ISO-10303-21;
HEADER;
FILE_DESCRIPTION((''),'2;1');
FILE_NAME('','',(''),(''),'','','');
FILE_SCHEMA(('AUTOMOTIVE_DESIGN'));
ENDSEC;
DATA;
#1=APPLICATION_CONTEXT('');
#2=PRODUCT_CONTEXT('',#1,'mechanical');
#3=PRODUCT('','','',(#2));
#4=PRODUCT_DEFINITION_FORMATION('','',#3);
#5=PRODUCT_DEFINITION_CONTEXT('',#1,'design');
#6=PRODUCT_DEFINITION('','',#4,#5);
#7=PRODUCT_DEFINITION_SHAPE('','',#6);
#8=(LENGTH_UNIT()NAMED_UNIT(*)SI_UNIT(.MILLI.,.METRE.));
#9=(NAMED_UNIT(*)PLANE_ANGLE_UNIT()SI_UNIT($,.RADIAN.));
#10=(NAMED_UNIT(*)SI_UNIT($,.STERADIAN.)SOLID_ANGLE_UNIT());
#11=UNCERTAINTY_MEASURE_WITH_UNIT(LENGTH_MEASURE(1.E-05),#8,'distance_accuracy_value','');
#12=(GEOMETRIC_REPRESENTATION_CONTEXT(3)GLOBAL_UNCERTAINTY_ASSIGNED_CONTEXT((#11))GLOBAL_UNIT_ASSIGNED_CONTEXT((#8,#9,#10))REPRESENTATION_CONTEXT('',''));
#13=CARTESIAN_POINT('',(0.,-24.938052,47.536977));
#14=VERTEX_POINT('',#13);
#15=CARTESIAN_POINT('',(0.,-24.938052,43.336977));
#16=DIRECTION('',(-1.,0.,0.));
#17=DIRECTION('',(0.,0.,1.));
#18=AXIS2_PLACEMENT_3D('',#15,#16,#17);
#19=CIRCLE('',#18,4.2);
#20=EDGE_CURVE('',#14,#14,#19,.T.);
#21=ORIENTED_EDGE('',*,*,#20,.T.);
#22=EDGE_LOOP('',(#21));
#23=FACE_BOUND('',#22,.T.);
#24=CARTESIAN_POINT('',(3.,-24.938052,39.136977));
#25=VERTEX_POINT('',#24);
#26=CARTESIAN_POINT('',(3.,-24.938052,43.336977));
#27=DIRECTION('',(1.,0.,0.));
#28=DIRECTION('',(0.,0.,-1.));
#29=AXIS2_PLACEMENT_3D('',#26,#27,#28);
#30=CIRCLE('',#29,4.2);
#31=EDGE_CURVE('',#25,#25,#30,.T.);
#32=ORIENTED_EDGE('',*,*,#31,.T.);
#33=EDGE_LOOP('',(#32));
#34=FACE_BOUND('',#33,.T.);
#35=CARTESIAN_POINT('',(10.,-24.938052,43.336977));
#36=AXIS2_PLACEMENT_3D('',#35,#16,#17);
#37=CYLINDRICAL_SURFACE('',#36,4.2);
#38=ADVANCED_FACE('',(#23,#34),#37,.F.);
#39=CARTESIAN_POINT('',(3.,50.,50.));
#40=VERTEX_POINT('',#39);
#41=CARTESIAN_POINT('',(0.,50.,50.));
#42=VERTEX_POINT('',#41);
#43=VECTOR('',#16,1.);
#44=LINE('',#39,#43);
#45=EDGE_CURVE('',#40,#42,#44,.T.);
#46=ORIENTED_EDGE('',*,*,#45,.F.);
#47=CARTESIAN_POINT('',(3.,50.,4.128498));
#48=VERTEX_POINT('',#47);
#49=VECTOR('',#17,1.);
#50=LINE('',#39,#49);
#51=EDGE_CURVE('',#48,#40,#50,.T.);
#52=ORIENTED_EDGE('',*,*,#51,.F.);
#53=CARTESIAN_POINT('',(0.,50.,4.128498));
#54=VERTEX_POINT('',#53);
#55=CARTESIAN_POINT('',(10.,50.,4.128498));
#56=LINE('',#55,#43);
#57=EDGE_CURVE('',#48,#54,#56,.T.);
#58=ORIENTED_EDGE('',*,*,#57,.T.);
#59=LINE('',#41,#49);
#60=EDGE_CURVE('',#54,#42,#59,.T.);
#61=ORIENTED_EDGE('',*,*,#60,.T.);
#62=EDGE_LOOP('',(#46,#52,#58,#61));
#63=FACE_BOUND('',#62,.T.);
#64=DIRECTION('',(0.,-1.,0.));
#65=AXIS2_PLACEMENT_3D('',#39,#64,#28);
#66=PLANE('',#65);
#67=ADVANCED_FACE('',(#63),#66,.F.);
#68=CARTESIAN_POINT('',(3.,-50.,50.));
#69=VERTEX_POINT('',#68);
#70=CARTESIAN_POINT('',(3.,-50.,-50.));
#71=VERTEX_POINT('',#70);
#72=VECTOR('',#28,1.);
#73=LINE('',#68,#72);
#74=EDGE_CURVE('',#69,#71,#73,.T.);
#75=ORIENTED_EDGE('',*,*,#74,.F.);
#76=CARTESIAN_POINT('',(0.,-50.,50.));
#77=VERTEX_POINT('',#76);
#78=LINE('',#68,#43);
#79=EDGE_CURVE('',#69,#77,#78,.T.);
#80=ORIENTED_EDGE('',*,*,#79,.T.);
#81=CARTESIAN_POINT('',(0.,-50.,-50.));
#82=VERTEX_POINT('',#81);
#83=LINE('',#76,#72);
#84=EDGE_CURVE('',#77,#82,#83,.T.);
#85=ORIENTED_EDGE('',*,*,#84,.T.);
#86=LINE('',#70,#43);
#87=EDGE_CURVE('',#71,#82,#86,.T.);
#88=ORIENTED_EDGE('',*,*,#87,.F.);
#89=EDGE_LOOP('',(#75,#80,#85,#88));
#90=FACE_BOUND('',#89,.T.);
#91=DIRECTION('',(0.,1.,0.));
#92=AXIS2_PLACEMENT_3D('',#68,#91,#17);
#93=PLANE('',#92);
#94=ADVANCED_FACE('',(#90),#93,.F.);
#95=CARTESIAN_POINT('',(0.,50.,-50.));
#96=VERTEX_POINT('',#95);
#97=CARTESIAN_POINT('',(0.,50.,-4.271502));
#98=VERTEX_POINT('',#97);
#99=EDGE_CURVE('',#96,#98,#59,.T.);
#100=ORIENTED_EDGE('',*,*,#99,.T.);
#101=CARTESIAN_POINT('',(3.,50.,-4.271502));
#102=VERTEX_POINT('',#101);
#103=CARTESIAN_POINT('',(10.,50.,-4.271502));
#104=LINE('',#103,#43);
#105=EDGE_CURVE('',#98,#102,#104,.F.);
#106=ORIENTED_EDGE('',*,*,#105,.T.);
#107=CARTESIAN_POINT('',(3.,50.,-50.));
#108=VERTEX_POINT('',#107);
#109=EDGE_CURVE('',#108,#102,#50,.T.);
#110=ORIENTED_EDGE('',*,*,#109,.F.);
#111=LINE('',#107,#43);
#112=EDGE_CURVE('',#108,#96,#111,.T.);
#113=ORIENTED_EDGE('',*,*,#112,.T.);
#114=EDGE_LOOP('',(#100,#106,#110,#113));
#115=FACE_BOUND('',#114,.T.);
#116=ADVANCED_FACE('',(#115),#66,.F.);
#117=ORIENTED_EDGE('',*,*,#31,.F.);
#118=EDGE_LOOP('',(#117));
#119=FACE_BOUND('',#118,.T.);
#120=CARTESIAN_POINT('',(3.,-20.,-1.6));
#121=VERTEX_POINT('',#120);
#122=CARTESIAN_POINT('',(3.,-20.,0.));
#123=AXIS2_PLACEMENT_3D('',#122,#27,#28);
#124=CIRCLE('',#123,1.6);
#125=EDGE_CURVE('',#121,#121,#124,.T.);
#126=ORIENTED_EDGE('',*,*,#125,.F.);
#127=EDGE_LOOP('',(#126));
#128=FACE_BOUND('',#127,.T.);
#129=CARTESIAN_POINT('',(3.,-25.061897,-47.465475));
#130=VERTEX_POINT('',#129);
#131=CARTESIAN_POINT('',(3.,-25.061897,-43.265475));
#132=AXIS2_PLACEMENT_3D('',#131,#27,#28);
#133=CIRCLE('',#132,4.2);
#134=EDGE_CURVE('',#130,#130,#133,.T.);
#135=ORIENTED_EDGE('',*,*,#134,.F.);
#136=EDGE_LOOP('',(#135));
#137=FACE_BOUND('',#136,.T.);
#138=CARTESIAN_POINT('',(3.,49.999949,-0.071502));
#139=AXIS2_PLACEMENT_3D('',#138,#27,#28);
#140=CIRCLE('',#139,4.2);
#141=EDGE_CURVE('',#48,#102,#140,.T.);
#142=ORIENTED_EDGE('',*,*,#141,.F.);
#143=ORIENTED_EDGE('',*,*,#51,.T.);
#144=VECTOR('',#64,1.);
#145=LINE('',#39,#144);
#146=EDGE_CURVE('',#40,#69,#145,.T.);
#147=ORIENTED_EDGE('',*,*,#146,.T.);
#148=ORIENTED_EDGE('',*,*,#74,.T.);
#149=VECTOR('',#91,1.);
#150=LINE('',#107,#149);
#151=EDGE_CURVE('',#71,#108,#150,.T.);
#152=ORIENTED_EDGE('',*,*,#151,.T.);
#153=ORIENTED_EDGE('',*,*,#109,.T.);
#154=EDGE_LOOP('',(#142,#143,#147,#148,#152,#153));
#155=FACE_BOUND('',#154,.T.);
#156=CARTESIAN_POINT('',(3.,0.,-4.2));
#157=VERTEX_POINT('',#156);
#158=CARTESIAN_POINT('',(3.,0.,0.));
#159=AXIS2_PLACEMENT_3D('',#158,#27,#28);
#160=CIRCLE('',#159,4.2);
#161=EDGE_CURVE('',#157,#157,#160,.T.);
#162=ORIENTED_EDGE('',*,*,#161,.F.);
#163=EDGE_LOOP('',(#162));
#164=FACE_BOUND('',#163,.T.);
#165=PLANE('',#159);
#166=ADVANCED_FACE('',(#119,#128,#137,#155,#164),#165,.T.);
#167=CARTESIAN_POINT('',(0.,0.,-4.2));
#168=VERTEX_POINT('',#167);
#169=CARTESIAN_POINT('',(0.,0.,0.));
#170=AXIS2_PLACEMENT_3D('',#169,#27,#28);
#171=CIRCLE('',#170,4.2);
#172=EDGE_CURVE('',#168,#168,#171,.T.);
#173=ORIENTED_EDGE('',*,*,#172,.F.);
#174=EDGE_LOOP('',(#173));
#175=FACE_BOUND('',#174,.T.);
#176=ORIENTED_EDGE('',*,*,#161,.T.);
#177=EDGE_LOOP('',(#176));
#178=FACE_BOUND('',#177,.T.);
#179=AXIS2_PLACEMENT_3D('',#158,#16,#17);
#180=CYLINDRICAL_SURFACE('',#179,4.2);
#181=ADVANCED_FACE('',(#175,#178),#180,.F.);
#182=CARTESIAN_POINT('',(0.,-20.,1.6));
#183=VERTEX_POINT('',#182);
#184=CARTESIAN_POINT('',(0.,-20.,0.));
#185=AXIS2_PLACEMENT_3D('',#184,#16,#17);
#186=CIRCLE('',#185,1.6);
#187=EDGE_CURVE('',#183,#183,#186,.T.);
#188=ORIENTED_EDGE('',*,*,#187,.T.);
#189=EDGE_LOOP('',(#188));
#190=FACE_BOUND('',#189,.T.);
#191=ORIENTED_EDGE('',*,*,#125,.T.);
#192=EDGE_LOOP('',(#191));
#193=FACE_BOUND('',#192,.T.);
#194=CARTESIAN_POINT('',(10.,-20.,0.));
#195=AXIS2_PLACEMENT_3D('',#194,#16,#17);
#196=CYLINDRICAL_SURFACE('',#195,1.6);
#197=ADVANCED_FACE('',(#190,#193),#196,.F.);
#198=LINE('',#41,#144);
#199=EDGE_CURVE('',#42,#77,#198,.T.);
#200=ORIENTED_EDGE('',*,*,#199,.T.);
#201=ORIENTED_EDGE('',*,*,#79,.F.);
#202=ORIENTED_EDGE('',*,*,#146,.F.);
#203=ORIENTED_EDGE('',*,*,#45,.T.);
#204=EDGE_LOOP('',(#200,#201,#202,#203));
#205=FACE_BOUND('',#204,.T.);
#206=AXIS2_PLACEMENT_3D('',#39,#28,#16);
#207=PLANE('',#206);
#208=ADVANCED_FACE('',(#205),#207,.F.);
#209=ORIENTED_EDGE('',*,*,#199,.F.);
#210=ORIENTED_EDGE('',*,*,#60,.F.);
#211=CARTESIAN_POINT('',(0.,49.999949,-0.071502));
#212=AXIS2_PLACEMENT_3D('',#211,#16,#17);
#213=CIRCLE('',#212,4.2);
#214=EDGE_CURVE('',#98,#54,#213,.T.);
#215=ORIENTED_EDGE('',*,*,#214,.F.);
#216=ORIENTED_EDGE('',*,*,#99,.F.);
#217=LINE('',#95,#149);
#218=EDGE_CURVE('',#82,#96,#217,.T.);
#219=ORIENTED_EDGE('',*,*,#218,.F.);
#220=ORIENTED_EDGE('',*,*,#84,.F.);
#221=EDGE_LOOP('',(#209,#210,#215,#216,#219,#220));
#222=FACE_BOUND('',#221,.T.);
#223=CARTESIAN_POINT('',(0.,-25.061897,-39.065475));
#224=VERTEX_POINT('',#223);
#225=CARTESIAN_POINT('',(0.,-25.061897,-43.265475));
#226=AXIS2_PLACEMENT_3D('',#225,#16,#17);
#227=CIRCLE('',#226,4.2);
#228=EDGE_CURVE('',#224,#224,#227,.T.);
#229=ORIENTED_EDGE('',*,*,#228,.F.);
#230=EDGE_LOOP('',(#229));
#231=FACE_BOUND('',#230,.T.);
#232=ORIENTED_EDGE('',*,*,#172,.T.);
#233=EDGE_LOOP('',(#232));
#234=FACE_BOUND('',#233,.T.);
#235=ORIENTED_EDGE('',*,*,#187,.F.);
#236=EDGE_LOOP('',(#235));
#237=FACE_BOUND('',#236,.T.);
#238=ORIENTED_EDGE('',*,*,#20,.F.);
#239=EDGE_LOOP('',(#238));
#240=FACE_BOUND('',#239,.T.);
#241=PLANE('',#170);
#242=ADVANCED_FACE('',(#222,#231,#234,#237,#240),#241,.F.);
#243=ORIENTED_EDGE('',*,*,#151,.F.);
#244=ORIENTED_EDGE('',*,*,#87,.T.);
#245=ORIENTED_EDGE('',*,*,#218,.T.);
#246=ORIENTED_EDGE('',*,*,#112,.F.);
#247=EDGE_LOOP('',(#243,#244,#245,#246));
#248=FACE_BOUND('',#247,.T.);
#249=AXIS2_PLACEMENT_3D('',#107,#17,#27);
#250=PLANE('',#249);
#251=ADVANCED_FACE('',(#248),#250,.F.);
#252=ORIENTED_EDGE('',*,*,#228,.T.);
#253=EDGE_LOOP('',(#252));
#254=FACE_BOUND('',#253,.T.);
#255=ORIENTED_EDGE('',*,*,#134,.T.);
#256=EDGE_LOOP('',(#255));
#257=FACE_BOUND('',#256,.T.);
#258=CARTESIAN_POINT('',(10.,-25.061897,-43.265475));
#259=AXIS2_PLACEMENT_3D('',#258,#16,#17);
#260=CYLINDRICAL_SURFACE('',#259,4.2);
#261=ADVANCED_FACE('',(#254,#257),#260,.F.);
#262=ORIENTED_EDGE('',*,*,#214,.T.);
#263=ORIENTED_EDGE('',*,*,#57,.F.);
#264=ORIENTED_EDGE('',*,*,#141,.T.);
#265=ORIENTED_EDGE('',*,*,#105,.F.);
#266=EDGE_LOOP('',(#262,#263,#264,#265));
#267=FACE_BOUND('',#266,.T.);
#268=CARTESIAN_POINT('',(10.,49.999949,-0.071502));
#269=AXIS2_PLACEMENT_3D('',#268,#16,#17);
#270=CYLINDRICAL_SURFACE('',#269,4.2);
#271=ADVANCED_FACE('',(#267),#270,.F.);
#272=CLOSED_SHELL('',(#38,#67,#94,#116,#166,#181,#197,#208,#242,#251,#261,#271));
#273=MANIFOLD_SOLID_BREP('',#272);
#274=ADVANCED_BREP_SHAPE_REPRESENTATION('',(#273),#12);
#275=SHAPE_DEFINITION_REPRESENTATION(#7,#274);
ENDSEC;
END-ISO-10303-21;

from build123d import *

# Parameters (mm, degrees)
SKETCH2_W           = 100
SKETCH2_H           = 100
SKETCH2_R           = 4.2
BOSS_EXTRUDE1_DEPTH = 3
SKETCH3_R           = 4.2
CUT_EXTRUDE1_DEPTH  = 10
SKETCH4_R           = 1.6
CUT_EXTRUDE2_DEPTH  = 10


with BuildPart() as part:
    # Sketch2 → Boss-Extrude1 (new body)
    with BuildSketch(Plane(origin=(0, 0, 0), x_dir=(0, 0, -1), z_dir=(1, 0, 0))):
        Rectangle(SKETCH2_W, SKETCH2_H)
        Circle(SKETCH2_R, mode=Mode.SUBTRACT)
    extrude(amount=BOSS_EXTRUDE1_DEPTH)

    # Sketch3 → Cut-Extrude1 (cut)
    with BuildSketch(Plane.ZY):
        with Locations((43.336976945, -24.938051834)):
            Circle(SKETCH3_R)
        with Locations((-43.265474881, -25.061897041)):
            Circle(SKETCH3_R)
        with Locations((-0.071502064, 49.999948875)):
            Circle(SKETCH3_R)
    extrude(amount=-CUT_EXTRUDE1_DEPTH, mode=Mode.SUBTRACT)

    # Sketch4 → Cut-Extrude2 (cut)
    with BuildSketch(Plane.ZY):
        with Locations((0, -20)):
            Circle(SKETCH4_R)
    extrude(amount=-CUT_EXTRUDE2_DEPTH, mode=Mode.SUBTRACT)


solid = part.part
